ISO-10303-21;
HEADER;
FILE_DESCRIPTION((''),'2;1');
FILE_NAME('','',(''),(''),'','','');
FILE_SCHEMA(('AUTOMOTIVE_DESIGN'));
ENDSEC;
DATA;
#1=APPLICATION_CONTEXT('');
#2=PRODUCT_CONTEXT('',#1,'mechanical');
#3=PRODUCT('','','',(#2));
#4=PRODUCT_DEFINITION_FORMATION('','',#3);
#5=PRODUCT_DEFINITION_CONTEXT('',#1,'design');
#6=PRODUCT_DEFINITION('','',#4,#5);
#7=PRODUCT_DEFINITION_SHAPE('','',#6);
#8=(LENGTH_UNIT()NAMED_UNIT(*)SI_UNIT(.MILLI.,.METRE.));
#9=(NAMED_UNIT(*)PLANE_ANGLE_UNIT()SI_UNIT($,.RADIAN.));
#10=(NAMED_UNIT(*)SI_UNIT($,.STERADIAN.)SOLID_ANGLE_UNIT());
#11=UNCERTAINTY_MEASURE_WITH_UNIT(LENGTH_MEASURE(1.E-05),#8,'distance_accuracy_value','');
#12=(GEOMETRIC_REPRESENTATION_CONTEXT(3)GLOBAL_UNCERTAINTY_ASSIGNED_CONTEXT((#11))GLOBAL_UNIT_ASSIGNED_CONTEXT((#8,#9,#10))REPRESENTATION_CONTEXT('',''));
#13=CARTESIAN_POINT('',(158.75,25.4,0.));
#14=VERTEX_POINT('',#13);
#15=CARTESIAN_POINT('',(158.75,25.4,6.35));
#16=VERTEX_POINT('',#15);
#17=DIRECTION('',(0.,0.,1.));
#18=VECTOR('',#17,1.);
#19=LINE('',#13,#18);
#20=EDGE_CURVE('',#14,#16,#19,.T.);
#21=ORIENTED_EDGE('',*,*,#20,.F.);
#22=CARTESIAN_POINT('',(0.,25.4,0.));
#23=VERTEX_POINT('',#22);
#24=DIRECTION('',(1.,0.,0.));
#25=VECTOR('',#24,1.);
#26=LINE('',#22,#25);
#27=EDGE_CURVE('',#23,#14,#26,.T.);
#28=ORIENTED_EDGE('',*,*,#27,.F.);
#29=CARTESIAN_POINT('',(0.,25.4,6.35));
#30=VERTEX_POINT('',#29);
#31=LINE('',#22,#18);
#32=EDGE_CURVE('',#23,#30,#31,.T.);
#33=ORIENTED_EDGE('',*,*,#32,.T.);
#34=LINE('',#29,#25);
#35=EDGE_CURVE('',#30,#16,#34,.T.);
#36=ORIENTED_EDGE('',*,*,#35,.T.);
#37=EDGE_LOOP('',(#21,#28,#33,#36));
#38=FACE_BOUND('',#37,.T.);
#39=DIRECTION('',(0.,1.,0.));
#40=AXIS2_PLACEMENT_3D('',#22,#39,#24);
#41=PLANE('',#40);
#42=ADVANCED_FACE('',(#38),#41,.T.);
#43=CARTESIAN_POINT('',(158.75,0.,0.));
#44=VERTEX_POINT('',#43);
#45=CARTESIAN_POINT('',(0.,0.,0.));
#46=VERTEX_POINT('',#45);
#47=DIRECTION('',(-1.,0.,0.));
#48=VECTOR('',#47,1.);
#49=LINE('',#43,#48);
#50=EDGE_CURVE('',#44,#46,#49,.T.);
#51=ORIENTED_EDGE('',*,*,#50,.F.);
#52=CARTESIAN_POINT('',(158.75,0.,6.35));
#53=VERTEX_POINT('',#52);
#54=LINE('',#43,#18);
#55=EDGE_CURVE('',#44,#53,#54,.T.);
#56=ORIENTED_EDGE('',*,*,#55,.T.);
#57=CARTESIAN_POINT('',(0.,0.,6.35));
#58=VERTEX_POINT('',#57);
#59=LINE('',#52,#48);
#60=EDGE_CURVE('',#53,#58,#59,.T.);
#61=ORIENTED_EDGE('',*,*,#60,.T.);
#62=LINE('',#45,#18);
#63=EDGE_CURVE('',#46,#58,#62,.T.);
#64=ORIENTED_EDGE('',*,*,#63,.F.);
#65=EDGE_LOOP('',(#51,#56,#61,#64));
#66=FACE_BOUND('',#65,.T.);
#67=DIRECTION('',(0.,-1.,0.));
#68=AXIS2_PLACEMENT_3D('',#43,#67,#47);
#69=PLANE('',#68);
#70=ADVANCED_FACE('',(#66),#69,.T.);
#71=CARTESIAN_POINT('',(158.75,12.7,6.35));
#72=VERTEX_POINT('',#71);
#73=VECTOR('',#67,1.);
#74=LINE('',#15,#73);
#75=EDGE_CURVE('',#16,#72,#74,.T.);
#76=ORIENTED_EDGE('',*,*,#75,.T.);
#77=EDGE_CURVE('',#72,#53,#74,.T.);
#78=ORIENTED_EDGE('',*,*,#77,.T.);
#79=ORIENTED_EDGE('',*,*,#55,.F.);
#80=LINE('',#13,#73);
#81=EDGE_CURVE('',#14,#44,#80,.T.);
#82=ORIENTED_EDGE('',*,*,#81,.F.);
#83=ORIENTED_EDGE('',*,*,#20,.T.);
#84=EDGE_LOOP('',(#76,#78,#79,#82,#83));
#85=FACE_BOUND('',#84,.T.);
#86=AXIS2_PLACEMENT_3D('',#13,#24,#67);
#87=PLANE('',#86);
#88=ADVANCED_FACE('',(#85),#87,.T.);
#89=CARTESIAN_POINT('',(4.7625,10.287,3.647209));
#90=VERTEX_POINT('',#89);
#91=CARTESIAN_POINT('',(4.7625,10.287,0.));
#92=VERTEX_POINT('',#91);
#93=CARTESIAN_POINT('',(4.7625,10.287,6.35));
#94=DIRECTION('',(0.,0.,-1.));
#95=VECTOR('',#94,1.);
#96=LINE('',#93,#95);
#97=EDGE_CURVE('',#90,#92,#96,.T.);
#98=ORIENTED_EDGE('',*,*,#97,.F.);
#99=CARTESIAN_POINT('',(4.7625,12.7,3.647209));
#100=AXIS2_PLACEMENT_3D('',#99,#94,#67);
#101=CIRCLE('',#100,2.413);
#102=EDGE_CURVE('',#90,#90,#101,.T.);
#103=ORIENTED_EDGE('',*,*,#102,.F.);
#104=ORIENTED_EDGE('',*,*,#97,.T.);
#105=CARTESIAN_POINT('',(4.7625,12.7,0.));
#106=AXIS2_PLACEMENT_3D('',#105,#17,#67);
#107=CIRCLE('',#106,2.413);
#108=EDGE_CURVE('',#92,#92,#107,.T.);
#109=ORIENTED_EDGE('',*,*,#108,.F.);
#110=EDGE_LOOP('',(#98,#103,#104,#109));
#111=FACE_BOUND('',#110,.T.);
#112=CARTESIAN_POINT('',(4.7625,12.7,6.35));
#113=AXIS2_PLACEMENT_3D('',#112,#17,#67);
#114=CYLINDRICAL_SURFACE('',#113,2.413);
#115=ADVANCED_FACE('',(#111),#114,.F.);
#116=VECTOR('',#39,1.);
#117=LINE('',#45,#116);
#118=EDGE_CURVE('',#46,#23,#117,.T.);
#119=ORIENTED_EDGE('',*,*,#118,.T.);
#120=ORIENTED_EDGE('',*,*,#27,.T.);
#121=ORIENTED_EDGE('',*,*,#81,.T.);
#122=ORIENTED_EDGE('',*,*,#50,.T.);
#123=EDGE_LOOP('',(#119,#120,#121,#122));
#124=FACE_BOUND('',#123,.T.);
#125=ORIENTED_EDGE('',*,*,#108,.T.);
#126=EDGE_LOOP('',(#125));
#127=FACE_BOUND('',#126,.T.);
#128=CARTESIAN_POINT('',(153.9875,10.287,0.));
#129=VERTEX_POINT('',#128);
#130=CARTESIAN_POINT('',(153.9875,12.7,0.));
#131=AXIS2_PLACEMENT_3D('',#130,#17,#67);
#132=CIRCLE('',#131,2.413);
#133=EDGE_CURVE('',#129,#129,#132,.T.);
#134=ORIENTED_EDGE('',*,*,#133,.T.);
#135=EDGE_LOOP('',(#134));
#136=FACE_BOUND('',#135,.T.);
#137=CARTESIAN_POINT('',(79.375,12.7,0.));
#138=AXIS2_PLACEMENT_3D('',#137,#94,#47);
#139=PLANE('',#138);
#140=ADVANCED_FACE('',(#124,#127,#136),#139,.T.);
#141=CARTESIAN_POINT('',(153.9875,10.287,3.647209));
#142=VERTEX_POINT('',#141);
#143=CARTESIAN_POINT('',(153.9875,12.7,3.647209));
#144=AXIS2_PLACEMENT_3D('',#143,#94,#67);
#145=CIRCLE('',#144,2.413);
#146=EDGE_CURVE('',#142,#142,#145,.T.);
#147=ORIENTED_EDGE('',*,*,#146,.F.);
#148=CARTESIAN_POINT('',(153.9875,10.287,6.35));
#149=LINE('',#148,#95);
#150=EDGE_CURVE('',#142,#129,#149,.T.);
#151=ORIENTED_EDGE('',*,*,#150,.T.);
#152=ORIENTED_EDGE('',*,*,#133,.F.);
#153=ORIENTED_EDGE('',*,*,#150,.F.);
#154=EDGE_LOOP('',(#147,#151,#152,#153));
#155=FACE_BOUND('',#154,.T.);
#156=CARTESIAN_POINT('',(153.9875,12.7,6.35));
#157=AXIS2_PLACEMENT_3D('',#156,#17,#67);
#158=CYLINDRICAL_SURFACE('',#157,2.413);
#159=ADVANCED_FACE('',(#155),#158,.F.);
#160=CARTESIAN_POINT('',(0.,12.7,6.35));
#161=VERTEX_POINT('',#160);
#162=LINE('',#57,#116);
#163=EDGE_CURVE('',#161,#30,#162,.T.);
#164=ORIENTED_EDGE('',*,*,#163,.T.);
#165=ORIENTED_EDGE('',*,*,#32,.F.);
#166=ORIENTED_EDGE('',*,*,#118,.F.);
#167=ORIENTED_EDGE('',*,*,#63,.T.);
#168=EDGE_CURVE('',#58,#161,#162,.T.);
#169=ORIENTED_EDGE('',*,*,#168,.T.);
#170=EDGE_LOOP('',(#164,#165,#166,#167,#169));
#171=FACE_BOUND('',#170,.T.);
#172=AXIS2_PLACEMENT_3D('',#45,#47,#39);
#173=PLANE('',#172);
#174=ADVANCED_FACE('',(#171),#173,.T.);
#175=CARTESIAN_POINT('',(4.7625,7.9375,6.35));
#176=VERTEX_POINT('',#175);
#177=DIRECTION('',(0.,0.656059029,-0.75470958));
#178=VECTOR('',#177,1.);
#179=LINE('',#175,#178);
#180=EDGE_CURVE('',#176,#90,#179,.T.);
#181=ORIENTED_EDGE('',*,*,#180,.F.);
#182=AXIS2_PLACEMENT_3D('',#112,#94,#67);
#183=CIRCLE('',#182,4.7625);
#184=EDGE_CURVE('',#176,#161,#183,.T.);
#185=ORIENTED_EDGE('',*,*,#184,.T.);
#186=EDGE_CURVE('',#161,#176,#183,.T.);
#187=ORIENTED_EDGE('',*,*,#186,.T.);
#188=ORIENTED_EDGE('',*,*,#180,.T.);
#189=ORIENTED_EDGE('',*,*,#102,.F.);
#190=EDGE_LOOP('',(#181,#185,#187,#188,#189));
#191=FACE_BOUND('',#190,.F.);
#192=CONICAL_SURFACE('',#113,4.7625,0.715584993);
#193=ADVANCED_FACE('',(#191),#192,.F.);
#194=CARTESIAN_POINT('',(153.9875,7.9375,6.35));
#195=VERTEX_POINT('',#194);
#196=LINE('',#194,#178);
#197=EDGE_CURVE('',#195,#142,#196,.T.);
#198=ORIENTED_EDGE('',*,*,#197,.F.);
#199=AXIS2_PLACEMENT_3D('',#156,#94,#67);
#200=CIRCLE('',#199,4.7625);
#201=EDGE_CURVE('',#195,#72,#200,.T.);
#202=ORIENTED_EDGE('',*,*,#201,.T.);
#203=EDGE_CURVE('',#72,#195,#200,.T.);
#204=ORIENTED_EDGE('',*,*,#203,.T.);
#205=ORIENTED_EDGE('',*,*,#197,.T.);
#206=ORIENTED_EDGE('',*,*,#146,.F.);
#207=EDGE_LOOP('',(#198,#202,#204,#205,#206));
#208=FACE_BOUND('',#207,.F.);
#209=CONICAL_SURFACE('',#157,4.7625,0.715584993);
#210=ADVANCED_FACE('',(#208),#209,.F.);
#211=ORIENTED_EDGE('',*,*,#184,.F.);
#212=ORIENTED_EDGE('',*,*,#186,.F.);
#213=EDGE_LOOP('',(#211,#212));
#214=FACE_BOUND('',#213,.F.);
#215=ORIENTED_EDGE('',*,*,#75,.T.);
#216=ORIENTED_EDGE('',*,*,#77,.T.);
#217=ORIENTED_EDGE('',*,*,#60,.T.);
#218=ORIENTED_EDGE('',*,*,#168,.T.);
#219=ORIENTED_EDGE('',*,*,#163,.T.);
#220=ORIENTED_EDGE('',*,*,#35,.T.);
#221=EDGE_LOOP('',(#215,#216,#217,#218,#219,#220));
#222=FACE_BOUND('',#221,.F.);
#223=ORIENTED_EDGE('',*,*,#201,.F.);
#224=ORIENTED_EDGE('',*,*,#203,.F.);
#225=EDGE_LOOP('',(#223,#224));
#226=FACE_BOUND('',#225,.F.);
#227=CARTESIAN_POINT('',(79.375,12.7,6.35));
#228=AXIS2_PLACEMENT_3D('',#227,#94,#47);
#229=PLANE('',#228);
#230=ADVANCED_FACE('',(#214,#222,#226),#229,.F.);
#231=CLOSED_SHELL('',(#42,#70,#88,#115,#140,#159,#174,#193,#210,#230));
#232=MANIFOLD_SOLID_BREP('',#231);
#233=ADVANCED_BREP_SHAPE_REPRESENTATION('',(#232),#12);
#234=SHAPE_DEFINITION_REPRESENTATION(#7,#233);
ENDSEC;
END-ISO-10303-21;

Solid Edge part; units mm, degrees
sketch "Sketch1" plane through (0, 0, 0) normal (0, 0, 1) x (1, 0, 0)
  line L0 (0, 0) -> (0, 25.4)
  line L1 (0, 25.4) -> (158.75, 25.4)
  line L2 (158.75, 25.4) -> (158.75, 0)
  line L3 (158.75, 0) -> (0, 0)
  dimension "D1" = 158.75
  dimension "D2" = 25.4
extrude "Protrusion1" add sketch "Sketch1" along normal blind 6.35
hole "Hole_1" at (153.9875, 12.7, 6.35) direction (0, 0, -1) diameter 4.826 end up to next countersink diameter 9.525 countersink angle 82
hole "Hole1" at (4.7625, 12.7, 6.35) direction (0, 0, -1) diameter 4.826 end up to next countersink diameter 9.525 countersink angle 82
properties part number "CHAS-03"
